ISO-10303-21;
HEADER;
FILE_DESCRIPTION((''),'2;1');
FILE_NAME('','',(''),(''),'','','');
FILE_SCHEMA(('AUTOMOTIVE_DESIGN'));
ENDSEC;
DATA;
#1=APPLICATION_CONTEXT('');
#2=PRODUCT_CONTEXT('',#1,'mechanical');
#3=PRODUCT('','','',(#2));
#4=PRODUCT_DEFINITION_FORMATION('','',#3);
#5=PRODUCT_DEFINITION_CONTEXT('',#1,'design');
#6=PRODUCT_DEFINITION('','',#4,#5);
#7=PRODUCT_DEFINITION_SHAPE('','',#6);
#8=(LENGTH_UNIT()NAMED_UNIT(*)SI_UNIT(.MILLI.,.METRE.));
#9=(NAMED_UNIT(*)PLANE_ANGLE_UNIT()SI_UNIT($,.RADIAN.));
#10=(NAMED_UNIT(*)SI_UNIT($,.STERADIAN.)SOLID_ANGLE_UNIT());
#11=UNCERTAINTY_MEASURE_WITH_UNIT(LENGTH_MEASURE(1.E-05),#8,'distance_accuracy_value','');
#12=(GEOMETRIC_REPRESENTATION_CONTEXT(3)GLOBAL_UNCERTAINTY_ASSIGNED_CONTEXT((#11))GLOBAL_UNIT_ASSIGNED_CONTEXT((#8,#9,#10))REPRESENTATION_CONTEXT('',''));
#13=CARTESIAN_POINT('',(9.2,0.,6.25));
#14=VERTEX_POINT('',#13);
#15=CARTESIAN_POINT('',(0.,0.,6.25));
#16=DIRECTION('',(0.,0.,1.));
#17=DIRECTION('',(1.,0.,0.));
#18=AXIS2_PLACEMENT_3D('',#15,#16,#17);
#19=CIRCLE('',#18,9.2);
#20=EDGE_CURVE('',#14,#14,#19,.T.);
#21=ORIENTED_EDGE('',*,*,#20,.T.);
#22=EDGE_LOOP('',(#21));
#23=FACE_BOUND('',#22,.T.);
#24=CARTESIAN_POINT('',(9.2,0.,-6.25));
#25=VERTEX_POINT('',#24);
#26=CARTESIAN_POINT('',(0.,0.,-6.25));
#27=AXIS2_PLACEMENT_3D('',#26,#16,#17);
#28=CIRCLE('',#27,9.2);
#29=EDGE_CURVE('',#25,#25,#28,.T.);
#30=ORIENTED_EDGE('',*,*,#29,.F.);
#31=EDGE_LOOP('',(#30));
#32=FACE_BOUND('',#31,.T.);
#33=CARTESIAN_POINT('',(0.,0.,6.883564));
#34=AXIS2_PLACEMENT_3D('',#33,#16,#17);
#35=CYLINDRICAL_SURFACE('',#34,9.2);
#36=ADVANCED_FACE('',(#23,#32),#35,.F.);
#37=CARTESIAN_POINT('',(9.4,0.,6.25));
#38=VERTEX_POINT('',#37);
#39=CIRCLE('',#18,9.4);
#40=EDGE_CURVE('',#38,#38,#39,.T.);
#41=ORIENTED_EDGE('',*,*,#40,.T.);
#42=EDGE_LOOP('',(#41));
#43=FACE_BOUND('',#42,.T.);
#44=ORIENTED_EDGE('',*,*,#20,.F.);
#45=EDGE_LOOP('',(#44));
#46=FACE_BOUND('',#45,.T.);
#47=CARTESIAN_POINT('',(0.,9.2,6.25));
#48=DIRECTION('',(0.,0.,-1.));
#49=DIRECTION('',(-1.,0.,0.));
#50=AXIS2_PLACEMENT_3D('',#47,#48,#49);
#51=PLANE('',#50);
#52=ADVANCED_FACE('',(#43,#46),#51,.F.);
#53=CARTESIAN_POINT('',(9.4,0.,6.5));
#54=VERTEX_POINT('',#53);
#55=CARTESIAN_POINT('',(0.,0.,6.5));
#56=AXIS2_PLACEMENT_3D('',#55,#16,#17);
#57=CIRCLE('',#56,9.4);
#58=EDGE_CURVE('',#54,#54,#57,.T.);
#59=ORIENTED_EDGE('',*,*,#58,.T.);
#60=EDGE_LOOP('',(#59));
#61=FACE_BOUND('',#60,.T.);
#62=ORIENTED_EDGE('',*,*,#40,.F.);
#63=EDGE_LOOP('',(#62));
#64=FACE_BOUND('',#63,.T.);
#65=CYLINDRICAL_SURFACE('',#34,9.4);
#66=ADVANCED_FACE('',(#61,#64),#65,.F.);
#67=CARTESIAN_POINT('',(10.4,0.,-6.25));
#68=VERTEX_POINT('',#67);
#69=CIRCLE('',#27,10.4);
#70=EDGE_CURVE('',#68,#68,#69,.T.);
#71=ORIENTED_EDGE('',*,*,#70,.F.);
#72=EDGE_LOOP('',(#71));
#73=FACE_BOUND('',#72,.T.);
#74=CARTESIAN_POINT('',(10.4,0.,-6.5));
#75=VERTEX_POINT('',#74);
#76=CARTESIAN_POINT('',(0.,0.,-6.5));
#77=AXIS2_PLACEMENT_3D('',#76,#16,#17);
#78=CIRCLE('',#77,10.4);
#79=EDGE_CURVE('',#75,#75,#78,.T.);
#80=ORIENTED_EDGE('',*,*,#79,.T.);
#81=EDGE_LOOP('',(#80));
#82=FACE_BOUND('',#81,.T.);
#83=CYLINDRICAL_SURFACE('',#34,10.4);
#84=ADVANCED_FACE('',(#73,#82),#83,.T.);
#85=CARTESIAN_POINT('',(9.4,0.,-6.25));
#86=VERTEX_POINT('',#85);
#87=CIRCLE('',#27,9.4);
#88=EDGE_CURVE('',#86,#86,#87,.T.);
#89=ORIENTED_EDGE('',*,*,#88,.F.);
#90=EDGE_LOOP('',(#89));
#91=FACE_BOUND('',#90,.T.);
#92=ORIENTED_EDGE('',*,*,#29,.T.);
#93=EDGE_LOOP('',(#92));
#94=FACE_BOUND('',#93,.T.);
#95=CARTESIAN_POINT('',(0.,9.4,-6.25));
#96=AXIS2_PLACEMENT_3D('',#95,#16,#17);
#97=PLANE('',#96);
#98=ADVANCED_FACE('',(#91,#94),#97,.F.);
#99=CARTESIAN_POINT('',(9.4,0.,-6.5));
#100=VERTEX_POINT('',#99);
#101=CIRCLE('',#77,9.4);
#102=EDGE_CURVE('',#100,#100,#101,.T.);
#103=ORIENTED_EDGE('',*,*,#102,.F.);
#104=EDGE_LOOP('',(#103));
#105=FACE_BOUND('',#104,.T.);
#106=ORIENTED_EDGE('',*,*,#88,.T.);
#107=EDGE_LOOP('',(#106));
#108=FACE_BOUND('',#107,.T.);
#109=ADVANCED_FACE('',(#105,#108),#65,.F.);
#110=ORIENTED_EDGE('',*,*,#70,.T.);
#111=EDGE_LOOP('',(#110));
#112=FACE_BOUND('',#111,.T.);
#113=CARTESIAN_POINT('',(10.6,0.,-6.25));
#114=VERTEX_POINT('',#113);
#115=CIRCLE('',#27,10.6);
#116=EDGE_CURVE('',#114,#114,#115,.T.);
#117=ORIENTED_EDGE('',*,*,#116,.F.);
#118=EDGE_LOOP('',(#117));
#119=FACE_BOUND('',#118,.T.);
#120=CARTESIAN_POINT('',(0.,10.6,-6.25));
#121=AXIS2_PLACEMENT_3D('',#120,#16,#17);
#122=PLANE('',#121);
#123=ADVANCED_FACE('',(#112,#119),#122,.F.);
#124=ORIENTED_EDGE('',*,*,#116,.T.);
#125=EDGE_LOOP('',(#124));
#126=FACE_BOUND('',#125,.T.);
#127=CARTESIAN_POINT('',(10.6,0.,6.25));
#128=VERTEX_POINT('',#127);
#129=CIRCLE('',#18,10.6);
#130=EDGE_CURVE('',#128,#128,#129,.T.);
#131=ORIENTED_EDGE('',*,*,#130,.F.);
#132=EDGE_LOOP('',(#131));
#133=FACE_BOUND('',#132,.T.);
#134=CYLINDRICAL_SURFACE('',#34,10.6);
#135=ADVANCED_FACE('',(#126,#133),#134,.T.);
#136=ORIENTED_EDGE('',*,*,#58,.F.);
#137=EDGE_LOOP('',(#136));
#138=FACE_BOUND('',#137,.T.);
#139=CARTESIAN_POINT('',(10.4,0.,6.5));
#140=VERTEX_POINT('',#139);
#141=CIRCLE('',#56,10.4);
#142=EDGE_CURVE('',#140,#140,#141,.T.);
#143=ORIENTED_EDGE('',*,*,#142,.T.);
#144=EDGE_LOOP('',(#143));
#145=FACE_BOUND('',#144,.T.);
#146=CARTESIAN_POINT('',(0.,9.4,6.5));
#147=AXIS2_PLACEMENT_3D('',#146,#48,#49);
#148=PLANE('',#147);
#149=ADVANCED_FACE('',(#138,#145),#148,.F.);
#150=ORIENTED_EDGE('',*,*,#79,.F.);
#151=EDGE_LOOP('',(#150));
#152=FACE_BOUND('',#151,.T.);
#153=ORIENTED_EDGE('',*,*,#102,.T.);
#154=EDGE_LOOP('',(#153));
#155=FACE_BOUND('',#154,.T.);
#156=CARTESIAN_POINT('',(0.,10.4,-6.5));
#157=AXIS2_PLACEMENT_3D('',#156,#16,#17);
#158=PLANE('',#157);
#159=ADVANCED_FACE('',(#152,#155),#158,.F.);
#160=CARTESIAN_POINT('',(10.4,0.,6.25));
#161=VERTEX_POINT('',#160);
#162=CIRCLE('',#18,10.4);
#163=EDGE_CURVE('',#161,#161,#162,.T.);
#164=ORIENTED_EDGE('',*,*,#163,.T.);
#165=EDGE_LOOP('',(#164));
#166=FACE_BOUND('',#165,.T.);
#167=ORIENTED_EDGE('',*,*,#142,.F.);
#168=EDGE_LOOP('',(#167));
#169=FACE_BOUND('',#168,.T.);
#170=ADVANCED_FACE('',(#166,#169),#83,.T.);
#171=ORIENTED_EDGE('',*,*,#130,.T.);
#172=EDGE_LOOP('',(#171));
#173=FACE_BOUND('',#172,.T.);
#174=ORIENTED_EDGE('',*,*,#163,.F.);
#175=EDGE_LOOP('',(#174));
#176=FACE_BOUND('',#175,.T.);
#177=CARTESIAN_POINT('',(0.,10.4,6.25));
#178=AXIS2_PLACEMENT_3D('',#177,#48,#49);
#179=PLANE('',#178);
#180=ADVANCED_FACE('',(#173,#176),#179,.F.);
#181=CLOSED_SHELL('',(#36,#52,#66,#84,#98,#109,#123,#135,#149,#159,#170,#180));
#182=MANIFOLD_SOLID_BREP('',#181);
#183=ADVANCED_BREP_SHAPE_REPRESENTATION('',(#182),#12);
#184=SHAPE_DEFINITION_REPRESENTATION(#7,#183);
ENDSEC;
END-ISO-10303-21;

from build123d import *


with BuildPart() as part:
    # Esquisse2 → Révolution1 (revolve)
    with BuildSketch(Plane(origin=(0, 0, 0), x_dir=(0, 0, -1), z_dir=(1, 0, 0)), mode=Mode.PRIVATE) as r_volution1_sk:
        Polygon((-6.5, 10.4), (-6.25, 10.4), (-6.25, 10.6), (6.25, 10.6), (6.25, 10.4), (6.5, 10.4), (6.5, 9.4), (6.25, 9.4), (6.25, 9.2), (-6.25, 9.2), (-6.25, 9.4), (-6.5, 9.4), align=None)
    revolve(r_volution1_sk.sketch.rotate(Axis((0, 0, 6.88356419), (0, 0, -1)), 90), axis=Axis((0, 0, 6.88356419), (0, 0, -1)))


solid = part.part
